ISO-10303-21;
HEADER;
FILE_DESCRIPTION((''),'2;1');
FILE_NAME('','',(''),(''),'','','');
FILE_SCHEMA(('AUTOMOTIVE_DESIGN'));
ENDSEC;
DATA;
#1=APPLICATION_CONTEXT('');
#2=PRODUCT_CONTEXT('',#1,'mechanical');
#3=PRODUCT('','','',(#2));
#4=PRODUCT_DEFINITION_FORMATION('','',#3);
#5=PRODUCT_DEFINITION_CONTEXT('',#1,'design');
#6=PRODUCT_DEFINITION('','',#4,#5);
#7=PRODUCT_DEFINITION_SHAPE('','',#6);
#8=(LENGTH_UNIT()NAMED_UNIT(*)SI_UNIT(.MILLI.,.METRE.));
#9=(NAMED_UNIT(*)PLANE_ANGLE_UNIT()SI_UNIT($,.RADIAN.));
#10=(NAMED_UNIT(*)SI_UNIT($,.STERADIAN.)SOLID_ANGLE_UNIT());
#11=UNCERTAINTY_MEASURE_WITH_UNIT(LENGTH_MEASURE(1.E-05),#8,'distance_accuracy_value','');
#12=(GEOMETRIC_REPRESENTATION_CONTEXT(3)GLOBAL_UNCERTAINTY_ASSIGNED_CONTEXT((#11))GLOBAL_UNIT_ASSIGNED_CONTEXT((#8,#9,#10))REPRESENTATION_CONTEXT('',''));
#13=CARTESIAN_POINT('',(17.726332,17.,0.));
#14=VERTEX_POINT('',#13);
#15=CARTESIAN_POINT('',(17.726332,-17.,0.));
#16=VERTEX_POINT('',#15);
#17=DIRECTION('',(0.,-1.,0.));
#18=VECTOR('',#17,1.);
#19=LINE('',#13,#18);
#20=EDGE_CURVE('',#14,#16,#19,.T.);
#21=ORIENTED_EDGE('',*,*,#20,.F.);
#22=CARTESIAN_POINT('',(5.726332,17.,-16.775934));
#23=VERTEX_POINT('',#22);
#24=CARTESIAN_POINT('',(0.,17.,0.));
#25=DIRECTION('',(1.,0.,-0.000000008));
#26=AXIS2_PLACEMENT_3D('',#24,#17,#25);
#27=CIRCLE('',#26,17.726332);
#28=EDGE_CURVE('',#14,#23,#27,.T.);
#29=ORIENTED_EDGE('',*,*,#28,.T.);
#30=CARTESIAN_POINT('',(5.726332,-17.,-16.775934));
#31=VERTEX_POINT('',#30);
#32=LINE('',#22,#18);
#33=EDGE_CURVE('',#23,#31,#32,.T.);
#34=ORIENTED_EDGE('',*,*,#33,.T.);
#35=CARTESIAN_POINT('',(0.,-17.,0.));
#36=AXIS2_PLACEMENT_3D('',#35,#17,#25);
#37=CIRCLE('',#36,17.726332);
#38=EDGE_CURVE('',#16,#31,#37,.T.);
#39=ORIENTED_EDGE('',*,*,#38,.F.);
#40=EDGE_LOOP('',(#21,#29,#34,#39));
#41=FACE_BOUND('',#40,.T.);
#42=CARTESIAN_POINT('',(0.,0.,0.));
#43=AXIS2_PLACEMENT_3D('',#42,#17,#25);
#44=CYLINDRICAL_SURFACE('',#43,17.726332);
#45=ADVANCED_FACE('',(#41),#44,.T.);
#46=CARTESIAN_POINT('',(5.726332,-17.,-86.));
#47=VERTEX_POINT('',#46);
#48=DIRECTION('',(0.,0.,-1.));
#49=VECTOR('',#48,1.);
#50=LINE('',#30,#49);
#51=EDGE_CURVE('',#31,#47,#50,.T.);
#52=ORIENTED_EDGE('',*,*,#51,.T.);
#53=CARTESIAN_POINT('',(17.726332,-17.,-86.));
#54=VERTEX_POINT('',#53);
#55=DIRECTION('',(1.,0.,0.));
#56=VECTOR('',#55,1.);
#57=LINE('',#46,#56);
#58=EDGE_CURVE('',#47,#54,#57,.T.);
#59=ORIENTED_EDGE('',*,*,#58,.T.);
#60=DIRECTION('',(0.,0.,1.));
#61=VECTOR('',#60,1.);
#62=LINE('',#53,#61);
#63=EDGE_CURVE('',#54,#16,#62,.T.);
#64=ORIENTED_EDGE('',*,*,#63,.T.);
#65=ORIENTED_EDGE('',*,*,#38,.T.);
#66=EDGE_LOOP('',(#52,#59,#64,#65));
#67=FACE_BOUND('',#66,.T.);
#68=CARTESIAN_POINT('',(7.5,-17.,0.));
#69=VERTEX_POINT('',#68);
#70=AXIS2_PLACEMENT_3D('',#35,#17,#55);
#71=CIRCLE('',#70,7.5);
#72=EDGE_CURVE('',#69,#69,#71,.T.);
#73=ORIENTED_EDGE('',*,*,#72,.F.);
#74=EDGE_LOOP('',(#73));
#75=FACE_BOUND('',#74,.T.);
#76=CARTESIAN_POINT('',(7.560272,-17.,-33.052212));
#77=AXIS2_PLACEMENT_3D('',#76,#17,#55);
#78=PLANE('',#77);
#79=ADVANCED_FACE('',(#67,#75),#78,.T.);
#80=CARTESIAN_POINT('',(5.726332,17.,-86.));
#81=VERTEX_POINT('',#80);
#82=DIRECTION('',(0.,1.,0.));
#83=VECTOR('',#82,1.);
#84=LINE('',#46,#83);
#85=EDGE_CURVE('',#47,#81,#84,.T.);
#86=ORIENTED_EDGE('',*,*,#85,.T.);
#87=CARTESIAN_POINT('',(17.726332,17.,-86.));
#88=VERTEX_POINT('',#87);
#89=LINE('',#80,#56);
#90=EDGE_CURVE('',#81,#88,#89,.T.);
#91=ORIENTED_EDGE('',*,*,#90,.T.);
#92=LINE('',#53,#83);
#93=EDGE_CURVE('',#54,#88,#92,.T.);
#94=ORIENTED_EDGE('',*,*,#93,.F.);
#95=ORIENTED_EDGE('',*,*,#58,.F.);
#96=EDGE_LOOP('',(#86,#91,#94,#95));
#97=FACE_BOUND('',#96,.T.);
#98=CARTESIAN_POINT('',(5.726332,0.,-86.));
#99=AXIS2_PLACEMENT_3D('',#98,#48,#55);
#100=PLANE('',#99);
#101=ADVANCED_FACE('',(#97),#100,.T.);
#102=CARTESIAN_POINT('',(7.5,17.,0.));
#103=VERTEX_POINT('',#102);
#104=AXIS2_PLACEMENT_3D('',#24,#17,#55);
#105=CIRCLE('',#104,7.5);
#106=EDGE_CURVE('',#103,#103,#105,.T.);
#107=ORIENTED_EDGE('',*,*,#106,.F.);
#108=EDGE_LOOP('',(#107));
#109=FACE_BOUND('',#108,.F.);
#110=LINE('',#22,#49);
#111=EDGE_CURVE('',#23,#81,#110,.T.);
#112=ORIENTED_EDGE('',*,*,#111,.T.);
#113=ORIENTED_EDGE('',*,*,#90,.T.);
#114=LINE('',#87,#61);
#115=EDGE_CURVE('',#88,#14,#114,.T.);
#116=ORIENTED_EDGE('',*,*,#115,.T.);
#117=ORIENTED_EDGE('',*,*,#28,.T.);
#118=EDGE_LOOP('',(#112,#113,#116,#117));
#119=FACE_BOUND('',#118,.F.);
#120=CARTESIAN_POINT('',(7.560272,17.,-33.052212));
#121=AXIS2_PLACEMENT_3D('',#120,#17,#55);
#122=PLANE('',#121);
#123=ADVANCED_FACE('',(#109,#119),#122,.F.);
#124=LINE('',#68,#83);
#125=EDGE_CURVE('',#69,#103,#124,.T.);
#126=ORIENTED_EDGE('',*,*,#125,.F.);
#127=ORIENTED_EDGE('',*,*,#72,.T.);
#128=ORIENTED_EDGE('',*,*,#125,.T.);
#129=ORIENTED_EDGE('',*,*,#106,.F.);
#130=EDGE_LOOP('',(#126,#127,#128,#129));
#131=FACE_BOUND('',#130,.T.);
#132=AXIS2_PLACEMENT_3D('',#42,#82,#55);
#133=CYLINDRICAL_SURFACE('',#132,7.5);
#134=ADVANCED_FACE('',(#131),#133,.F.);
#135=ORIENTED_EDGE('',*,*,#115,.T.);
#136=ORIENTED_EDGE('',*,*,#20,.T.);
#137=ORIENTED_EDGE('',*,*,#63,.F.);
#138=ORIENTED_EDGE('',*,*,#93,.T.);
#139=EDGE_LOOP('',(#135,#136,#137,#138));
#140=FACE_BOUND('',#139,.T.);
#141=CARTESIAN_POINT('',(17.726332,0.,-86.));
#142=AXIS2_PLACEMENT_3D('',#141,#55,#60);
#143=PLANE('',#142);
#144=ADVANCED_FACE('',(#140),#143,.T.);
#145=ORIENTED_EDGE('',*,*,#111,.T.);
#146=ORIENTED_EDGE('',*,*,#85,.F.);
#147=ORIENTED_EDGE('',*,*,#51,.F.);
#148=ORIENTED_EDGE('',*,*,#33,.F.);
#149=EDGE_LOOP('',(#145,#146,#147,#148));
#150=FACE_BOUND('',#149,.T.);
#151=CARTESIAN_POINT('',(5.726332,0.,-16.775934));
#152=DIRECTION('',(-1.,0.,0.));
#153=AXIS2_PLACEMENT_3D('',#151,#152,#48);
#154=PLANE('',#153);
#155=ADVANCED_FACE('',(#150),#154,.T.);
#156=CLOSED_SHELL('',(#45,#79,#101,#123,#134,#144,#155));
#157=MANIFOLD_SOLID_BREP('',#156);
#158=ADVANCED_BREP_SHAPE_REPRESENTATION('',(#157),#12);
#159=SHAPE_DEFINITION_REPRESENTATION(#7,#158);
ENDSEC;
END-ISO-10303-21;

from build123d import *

# Parameters (mm, degrees)
F0_R     = 7.5
F1_DEPTH = 17


with BuildPart() as f1:
    # F0 (on Front) → F1 (new body, symmetric)
    with BuildSketch(Plane.XZ):
        with BuildLine():
            Line((17.726332, -86), (17.726332, 0))
            ThreePointArc((17.726332, 0), (-14.417519, 10.313001), (5.726332, -16.775934))
            Line((5.726332, -16.775934), (5.726332, -86))
            Line((5.726332, -86), (17.726332, -86))
        make_face()
        Circle(F0_R, mode=Mode.SUBTRACT)
    extrude(amount=F1_DEPTH, both=True)


solid = f1.part
